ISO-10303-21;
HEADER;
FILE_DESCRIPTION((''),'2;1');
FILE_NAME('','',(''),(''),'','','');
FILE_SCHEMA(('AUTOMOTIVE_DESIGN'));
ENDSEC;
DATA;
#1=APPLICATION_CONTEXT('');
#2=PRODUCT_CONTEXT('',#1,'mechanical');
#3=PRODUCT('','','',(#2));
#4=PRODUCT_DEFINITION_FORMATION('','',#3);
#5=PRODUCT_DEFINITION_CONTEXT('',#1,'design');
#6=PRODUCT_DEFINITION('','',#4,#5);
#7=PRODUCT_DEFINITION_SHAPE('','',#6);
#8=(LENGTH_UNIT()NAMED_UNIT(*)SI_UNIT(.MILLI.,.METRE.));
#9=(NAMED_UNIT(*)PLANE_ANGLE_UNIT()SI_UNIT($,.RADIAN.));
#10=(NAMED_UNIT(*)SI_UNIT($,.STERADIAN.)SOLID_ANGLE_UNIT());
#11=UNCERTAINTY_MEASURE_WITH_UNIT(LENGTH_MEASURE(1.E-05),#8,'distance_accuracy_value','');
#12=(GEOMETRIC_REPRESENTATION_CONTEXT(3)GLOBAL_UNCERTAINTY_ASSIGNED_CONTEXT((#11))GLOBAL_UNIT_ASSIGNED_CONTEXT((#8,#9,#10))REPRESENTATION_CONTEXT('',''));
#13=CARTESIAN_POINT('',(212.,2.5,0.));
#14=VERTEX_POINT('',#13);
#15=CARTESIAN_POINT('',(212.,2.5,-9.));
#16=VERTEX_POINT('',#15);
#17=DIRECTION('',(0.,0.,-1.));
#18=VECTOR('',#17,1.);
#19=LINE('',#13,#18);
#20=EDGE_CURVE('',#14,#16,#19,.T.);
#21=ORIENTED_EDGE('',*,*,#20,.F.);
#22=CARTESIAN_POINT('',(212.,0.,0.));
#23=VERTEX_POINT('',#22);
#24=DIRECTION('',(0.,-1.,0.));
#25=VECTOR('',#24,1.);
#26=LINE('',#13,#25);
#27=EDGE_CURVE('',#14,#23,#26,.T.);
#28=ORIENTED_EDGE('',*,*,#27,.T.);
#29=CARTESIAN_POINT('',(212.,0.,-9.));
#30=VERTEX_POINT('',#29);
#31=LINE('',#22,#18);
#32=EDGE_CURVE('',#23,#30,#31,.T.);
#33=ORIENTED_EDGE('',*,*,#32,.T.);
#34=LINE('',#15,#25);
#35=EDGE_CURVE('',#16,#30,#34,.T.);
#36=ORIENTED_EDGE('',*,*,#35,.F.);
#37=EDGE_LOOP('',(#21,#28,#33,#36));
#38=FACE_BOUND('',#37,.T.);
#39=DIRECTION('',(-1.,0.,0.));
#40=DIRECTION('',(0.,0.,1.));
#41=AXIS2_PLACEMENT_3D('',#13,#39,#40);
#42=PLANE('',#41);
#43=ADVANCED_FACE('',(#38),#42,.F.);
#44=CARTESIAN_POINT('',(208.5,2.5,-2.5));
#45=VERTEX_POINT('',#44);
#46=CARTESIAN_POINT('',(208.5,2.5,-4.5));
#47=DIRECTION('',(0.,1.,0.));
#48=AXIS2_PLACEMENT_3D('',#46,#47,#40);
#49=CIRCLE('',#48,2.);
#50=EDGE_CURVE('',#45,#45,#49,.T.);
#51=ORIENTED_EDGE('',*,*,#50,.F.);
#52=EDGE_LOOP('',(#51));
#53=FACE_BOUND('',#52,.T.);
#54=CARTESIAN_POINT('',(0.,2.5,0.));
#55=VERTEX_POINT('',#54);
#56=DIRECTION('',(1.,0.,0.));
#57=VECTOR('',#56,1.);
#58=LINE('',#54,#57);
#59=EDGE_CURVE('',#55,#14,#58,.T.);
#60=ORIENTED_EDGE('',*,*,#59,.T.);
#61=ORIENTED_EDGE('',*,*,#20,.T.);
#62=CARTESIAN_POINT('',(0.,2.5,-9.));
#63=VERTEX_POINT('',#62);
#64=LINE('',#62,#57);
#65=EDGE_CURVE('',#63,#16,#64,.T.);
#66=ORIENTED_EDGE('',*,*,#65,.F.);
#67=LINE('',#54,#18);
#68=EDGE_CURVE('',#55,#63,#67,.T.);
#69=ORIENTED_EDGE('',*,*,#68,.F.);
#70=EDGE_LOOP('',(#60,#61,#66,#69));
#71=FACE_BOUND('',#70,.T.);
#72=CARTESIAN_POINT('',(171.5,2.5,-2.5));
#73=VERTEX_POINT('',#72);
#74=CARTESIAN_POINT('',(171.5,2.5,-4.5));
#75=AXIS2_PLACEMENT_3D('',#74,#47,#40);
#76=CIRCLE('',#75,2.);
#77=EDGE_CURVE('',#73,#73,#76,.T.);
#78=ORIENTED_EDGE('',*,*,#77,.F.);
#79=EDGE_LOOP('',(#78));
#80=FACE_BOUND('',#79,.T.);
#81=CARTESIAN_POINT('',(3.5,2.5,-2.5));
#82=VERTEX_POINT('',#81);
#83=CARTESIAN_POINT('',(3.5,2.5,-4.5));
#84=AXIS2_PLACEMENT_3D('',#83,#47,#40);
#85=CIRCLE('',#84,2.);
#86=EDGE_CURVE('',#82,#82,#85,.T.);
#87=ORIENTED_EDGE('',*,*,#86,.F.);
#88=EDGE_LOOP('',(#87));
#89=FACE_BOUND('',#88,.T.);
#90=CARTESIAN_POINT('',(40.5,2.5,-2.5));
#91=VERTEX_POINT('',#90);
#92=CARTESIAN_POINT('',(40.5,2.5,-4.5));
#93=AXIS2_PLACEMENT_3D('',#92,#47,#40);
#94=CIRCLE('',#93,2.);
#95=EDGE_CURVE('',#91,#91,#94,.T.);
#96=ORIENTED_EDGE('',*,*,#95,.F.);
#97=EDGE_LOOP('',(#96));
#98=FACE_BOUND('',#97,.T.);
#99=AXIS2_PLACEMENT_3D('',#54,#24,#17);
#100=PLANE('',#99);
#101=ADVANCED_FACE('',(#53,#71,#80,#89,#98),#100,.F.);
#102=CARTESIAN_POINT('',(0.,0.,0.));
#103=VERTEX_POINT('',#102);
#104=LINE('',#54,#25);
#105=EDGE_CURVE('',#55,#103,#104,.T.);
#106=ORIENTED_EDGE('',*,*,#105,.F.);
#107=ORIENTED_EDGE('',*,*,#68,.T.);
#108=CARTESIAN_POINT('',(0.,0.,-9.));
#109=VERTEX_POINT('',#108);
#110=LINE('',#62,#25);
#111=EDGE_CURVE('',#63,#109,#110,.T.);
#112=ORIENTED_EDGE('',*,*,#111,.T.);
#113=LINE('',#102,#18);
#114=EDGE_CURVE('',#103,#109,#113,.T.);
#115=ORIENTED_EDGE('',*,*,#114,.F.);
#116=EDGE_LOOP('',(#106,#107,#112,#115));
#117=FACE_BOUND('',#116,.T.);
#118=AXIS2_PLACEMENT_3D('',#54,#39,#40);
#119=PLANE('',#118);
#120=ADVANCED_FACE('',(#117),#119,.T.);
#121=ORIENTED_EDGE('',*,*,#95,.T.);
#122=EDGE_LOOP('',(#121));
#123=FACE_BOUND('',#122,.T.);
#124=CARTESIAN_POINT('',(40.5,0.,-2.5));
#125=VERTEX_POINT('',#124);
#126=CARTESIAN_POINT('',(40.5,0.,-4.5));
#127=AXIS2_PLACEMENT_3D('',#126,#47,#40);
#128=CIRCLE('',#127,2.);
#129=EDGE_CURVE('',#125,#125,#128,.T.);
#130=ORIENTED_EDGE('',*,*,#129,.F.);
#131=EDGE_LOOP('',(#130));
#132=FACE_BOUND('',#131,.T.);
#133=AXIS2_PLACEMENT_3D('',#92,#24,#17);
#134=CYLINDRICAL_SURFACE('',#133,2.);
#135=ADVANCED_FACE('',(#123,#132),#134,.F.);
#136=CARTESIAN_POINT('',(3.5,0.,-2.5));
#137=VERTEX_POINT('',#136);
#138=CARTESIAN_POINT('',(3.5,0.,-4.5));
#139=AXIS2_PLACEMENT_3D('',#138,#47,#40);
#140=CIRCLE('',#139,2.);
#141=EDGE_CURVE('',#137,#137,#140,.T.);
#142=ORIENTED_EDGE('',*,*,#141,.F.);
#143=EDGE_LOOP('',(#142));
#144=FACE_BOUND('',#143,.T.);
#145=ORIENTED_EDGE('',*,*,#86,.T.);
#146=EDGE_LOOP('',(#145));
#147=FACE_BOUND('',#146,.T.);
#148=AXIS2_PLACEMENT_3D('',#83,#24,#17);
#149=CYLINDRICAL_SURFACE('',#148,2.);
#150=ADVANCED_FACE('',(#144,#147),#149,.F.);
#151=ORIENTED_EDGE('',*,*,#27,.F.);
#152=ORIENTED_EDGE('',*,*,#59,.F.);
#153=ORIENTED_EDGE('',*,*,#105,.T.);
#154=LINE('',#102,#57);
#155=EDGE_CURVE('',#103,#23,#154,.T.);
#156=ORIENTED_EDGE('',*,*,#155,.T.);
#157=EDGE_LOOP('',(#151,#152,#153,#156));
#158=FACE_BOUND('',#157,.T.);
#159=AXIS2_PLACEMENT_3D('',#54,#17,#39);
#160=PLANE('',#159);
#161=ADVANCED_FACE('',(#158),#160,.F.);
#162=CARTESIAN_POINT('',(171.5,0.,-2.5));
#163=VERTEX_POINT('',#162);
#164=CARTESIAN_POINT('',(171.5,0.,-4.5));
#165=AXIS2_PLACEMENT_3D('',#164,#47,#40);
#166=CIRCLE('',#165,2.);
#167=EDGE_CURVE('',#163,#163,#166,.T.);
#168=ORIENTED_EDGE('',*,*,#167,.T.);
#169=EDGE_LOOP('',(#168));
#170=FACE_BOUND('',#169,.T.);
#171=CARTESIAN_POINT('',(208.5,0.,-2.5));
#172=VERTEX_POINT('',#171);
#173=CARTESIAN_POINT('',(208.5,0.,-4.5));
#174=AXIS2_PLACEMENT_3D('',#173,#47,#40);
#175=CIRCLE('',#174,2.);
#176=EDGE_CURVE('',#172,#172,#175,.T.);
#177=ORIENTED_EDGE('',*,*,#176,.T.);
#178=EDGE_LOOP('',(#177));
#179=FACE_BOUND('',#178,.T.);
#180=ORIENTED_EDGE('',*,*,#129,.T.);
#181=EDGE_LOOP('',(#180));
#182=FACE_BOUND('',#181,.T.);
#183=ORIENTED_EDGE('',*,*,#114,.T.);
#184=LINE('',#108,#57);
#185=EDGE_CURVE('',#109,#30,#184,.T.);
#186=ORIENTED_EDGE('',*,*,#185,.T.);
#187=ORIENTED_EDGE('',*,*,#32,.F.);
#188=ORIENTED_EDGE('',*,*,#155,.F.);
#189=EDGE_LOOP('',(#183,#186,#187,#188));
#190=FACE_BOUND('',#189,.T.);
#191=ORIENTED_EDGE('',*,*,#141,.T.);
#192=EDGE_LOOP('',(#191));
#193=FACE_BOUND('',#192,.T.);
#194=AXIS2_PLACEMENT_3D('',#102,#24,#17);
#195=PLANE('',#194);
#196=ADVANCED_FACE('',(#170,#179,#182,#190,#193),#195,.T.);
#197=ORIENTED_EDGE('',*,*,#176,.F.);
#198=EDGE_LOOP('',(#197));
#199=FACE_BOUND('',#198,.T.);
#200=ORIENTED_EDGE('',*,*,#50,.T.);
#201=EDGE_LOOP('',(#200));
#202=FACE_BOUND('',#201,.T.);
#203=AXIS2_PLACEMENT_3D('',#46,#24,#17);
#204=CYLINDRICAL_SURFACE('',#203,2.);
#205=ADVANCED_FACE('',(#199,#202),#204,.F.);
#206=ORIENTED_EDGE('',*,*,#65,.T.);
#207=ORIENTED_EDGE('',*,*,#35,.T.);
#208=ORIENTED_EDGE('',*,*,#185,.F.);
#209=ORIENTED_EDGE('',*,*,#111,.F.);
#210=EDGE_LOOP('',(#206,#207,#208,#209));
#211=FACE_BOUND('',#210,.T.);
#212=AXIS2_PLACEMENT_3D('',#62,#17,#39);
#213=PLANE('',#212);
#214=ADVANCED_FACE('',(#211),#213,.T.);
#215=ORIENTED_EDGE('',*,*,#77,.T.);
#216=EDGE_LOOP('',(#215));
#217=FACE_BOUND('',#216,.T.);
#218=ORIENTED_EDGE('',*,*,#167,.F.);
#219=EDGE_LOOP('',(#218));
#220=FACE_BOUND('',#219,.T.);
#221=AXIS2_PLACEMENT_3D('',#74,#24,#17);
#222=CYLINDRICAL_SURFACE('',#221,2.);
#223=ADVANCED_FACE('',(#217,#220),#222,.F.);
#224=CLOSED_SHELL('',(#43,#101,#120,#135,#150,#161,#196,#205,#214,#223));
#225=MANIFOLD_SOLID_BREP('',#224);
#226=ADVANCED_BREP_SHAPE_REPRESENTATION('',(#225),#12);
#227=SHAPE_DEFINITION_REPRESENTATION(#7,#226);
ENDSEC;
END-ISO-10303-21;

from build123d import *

# Parameters (mm, degrees)
SKETCH1_W           = 212
SKETCH1_H           = 9
SKETCH1_R           = 2
BOSS_EXTRUDE1_DEPTH = 2.5


with BuildPart() as part:
    # Sketch1 → Boss-Extrude1 (new body)
    with BuildSketch(Plane(origin=(0, 0, 0), x_dir=(1, 0, 0), z_dir=(0, 1, 0))):
        with Locations((106, 4.5)):
            Rectangle(SKETCH1_W, SKETCH1_H)
        with Locations(Location((3.5, 4.5, 0), (0, 0, 270))):
            Circle(SKETCH1_R, mode=Mode.SUBTRACT)
        with Locations(Location((40.5, 4.5, 0), (0, 0, 270))):
            Circle(SKETCH1_R, mode=Mode.SUBTRACT)
        with Locations(Location((171.5, 4.5, 0), (0, 0, 270))):
            Circle(SKETCH1_R, mode=Mode.SUBTRACT)
        with Locations(Location((208.5, 4.5, 0), (0, 0, 270))):
            Circle(SKETCH1_R, mode=Mode.SUBTRACT)
    extrude(amount=BOSS_EXTRUDE1_DEPTH)


solid = part.part
